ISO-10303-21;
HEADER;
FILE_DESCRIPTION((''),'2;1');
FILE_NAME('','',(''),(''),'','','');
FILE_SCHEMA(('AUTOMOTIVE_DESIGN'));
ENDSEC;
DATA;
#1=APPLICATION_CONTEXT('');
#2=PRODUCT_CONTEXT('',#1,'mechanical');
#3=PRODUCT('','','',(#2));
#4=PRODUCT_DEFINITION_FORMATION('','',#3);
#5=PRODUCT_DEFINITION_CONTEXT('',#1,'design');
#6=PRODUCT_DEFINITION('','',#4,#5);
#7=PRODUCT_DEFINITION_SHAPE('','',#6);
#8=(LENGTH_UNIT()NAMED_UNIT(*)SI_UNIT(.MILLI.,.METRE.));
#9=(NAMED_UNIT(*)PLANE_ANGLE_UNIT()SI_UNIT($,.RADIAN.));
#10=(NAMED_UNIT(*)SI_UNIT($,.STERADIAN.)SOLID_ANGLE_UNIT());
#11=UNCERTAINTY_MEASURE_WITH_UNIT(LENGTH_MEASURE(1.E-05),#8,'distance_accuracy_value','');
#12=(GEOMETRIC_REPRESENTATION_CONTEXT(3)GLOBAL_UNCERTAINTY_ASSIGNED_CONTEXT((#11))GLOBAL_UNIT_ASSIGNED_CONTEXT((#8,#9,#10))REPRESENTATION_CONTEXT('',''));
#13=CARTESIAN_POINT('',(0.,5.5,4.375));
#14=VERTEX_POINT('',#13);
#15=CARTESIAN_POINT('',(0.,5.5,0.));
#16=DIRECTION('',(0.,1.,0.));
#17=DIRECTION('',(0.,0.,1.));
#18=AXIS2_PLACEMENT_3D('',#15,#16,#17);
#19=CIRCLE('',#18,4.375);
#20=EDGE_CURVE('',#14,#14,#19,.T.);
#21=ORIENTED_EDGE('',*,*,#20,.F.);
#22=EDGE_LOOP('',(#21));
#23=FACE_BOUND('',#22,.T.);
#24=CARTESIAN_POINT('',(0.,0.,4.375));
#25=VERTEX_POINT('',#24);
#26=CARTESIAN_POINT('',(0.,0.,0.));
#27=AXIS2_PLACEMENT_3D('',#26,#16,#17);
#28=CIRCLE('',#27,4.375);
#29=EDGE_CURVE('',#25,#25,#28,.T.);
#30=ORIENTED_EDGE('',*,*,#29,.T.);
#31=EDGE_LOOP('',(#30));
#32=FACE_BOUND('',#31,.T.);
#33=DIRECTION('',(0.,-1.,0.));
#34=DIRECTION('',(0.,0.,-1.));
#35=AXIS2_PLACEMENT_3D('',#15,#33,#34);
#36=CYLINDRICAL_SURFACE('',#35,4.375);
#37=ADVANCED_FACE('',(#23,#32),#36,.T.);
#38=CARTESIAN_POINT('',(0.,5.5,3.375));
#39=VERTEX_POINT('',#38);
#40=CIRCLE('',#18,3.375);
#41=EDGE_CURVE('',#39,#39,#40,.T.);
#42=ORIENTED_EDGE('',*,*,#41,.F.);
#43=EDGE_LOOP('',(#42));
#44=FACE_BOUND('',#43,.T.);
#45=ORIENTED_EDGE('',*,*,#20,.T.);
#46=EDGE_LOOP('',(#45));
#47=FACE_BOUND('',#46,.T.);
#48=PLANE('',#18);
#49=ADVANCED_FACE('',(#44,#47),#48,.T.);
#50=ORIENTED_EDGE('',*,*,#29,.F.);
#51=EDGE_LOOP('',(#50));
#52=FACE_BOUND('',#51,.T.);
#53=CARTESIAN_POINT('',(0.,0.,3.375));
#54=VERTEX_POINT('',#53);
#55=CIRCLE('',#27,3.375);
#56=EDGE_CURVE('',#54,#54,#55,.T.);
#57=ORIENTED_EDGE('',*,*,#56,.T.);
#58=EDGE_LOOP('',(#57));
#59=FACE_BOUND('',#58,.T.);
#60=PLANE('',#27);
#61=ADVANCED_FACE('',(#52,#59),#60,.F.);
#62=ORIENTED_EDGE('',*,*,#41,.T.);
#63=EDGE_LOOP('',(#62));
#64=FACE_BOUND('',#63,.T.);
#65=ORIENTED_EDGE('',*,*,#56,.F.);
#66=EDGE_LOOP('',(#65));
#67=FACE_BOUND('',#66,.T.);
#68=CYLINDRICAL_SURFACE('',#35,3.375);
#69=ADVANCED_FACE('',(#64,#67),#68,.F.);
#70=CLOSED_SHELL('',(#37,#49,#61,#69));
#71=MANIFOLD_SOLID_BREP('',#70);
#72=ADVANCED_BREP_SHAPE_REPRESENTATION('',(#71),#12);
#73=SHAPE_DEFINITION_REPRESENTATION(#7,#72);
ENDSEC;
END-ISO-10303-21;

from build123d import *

# Parameters (mm, degrees)
SKETCH1_R           = 4.375
SKETCH1_R_2         = 3.375
BOSS_EXTRUDE1_DEPTH = 5.5


with BuildPart() as part:
    # Sketch1 → Boss-Extrude1 (new body)
    with BuildSketch(Plane(origin=(0, 0, 0), x_dir=(1, 0, 0), z_dir=(0, 1, 0))):
        Circle(SKETCH1_R)
        Circle(SKETCH1_R_2, mode=Mode.SUBTRACT)
    extrude(amount=BOSS_EXTRUDE1_DEPTH)


solid = part.part
